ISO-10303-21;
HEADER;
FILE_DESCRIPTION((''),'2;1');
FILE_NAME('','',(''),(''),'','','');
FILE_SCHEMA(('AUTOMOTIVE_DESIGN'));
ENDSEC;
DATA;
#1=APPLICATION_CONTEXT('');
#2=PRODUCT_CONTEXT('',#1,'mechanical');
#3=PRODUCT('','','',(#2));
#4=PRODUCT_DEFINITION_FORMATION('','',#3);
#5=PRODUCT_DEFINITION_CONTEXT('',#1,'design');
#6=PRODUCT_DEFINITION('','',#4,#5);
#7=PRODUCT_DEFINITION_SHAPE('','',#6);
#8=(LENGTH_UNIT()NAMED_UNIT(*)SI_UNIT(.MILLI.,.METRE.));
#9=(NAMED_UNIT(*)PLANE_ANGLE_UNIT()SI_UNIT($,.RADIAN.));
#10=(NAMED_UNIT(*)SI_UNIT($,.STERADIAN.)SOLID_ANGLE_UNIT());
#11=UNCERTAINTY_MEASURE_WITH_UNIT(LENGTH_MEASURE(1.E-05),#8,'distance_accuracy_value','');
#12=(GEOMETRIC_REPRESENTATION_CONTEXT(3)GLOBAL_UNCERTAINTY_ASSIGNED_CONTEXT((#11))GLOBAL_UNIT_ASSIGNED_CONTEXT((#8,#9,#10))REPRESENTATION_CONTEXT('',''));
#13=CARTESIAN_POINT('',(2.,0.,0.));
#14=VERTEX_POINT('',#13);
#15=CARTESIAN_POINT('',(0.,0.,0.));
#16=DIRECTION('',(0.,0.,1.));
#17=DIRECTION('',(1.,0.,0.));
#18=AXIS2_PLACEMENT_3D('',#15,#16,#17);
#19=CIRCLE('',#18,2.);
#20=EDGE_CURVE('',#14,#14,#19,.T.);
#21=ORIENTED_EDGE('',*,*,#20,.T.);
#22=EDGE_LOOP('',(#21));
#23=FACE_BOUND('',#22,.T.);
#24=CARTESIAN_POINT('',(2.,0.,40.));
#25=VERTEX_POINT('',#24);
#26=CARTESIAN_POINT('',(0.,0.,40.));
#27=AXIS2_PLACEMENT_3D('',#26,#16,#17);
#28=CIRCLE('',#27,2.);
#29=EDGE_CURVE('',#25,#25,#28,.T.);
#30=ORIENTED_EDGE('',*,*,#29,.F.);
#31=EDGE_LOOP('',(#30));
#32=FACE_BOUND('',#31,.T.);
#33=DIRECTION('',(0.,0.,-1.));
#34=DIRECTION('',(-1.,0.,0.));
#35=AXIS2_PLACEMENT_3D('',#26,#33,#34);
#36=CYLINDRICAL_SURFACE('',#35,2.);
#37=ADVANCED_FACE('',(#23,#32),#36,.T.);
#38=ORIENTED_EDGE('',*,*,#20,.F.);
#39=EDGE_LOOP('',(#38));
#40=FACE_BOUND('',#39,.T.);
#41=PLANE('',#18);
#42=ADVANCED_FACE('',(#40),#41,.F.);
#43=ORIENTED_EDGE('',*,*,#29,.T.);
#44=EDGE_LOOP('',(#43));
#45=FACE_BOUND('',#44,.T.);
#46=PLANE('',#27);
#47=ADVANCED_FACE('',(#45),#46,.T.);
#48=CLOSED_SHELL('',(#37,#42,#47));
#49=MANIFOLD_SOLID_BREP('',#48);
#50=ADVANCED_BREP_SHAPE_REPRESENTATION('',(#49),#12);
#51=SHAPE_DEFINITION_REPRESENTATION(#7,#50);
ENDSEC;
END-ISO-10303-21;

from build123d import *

# Parameters (mm, degrees)
SKETCH1_R           = 2
BOSS_EXTRUDE1_DEPTH = 40


with BuildPart() as part:
    # Sketch1 → Boss-Extrude1 (new body)
    with BuildSketch(Plane.XY):
        Circle(SKETCH1_R)
    extrude(amount=BOSS_EXTRUDE1_DEPTH)


solid = part.part
